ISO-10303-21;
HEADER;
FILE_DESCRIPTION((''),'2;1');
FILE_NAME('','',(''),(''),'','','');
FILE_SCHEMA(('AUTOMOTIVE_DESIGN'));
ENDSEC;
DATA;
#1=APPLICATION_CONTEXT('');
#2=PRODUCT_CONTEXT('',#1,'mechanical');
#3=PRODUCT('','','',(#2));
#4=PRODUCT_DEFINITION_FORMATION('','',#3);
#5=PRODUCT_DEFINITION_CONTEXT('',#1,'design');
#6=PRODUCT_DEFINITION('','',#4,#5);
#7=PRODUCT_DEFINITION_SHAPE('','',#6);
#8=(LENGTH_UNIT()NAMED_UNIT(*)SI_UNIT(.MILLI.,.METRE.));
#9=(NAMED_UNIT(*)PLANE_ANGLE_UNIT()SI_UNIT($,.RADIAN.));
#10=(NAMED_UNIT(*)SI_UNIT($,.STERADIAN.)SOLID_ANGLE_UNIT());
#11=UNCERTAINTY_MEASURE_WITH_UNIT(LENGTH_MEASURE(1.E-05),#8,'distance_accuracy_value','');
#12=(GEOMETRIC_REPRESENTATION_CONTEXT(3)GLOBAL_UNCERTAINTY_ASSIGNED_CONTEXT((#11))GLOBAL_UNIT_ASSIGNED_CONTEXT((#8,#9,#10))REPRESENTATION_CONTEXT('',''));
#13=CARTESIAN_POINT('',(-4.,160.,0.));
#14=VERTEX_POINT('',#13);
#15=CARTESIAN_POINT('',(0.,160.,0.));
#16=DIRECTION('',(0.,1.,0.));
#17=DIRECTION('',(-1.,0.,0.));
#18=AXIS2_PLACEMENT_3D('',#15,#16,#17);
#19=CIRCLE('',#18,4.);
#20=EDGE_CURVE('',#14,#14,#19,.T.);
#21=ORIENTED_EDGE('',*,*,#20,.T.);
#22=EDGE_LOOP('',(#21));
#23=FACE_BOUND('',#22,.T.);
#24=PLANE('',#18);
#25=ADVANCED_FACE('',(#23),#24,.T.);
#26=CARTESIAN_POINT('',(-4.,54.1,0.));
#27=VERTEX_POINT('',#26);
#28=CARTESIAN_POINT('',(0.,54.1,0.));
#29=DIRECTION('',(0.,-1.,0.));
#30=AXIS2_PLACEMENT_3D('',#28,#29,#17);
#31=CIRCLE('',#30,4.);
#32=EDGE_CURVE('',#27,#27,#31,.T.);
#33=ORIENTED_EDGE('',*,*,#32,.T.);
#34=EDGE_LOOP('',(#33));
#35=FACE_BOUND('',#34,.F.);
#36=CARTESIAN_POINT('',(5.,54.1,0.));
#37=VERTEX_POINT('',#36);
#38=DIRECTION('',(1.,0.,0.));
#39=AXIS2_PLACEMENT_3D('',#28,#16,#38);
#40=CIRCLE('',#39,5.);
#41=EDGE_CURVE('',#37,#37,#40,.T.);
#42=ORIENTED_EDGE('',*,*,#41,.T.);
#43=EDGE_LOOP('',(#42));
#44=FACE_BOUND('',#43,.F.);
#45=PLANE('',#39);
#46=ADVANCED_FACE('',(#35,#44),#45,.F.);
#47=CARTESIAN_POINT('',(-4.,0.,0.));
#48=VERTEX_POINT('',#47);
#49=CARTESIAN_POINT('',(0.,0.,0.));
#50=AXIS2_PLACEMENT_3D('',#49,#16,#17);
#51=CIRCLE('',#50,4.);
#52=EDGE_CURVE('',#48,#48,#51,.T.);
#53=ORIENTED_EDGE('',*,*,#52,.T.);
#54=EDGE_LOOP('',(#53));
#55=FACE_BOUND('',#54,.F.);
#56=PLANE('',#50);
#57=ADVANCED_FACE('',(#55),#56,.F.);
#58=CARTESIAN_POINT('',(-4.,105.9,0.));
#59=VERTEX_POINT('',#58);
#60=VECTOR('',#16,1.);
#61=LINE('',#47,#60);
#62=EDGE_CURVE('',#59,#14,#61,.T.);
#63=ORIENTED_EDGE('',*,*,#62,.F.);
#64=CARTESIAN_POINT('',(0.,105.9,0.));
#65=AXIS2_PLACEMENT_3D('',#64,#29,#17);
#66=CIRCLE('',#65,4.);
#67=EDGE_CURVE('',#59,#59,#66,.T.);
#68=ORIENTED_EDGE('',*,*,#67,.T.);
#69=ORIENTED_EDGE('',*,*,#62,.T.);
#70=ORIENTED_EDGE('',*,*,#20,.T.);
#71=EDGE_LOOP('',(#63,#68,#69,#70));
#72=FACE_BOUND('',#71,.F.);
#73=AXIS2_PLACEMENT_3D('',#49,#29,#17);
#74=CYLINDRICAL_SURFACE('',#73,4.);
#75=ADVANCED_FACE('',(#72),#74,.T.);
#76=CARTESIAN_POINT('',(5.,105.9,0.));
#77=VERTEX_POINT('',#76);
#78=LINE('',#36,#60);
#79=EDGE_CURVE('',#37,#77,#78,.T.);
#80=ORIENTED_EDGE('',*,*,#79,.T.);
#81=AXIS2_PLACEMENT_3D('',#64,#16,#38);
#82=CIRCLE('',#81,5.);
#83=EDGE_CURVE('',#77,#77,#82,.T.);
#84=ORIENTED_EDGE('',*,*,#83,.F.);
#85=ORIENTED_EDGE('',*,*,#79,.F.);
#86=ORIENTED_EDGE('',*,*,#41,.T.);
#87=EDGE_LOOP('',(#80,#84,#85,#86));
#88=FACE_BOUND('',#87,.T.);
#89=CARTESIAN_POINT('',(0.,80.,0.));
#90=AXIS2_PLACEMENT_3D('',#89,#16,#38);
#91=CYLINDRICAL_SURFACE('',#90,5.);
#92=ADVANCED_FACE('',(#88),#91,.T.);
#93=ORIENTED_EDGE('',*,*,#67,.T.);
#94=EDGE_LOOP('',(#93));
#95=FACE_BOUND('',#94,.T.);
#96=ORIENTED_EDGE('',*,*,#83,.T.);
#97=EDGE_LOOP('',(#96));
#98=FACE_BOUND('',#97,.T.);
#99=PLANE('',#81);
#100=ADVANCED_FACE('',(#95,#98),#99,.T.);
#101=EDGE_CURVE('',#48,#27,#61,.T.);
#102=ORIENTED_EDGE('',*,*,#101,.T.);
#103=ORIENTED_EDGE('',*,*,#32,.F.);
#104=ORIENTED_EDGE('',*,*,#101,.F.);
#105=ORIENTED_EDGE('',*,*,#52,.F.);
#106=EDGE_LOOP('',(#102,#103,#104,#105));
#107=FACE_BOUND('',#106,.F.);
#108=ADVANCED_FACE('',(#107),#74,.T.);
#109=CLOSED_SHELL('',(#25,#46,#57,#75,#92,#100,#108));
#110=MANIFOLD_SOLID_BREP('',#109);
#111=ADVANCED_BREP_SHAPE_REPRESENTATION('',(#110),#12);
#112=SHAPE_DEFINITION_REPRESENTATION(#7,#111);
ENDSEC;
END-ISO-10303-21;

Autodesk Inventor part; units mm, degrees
ref_plane "YZ Plane" through (0, 0, 0) normal (1, 0, 0) x (0, 1, 0)
ref_plane "XZ Plane" through (0, 0, 0) normal (0, 1, 0) x (-1, 0, 0)
sketch "スケッチ1" plane through (0, 0, 0) normal (0, 1, 0) x (-1, 0, 0)
  circle A0 centre (0, 0) radius 4
  dimension "d0" = 8
extrude "押し出し1" add sketch "スケッチ1" along normal blind 160
ref_plane "作業平面1" through (0, 80, 0) normal (0, 1, 0) x (1, 0, 0)
sketch "スケッチ2" plane through (0, 80, 0) normal (0, 1, 0) x (1, 0, 0)
  circle A0 centre (0, 0) radius 4 projected
  circle A1 centre (0, 0) radius 5
  dimension "d3" = 10
extrude "押し出し2" add sketch "スケッチ2" along normal blind 25.9 and the other way blind 25.9 contours A0 | A1
properties part number "elbowshoulder2_shaft copy"
